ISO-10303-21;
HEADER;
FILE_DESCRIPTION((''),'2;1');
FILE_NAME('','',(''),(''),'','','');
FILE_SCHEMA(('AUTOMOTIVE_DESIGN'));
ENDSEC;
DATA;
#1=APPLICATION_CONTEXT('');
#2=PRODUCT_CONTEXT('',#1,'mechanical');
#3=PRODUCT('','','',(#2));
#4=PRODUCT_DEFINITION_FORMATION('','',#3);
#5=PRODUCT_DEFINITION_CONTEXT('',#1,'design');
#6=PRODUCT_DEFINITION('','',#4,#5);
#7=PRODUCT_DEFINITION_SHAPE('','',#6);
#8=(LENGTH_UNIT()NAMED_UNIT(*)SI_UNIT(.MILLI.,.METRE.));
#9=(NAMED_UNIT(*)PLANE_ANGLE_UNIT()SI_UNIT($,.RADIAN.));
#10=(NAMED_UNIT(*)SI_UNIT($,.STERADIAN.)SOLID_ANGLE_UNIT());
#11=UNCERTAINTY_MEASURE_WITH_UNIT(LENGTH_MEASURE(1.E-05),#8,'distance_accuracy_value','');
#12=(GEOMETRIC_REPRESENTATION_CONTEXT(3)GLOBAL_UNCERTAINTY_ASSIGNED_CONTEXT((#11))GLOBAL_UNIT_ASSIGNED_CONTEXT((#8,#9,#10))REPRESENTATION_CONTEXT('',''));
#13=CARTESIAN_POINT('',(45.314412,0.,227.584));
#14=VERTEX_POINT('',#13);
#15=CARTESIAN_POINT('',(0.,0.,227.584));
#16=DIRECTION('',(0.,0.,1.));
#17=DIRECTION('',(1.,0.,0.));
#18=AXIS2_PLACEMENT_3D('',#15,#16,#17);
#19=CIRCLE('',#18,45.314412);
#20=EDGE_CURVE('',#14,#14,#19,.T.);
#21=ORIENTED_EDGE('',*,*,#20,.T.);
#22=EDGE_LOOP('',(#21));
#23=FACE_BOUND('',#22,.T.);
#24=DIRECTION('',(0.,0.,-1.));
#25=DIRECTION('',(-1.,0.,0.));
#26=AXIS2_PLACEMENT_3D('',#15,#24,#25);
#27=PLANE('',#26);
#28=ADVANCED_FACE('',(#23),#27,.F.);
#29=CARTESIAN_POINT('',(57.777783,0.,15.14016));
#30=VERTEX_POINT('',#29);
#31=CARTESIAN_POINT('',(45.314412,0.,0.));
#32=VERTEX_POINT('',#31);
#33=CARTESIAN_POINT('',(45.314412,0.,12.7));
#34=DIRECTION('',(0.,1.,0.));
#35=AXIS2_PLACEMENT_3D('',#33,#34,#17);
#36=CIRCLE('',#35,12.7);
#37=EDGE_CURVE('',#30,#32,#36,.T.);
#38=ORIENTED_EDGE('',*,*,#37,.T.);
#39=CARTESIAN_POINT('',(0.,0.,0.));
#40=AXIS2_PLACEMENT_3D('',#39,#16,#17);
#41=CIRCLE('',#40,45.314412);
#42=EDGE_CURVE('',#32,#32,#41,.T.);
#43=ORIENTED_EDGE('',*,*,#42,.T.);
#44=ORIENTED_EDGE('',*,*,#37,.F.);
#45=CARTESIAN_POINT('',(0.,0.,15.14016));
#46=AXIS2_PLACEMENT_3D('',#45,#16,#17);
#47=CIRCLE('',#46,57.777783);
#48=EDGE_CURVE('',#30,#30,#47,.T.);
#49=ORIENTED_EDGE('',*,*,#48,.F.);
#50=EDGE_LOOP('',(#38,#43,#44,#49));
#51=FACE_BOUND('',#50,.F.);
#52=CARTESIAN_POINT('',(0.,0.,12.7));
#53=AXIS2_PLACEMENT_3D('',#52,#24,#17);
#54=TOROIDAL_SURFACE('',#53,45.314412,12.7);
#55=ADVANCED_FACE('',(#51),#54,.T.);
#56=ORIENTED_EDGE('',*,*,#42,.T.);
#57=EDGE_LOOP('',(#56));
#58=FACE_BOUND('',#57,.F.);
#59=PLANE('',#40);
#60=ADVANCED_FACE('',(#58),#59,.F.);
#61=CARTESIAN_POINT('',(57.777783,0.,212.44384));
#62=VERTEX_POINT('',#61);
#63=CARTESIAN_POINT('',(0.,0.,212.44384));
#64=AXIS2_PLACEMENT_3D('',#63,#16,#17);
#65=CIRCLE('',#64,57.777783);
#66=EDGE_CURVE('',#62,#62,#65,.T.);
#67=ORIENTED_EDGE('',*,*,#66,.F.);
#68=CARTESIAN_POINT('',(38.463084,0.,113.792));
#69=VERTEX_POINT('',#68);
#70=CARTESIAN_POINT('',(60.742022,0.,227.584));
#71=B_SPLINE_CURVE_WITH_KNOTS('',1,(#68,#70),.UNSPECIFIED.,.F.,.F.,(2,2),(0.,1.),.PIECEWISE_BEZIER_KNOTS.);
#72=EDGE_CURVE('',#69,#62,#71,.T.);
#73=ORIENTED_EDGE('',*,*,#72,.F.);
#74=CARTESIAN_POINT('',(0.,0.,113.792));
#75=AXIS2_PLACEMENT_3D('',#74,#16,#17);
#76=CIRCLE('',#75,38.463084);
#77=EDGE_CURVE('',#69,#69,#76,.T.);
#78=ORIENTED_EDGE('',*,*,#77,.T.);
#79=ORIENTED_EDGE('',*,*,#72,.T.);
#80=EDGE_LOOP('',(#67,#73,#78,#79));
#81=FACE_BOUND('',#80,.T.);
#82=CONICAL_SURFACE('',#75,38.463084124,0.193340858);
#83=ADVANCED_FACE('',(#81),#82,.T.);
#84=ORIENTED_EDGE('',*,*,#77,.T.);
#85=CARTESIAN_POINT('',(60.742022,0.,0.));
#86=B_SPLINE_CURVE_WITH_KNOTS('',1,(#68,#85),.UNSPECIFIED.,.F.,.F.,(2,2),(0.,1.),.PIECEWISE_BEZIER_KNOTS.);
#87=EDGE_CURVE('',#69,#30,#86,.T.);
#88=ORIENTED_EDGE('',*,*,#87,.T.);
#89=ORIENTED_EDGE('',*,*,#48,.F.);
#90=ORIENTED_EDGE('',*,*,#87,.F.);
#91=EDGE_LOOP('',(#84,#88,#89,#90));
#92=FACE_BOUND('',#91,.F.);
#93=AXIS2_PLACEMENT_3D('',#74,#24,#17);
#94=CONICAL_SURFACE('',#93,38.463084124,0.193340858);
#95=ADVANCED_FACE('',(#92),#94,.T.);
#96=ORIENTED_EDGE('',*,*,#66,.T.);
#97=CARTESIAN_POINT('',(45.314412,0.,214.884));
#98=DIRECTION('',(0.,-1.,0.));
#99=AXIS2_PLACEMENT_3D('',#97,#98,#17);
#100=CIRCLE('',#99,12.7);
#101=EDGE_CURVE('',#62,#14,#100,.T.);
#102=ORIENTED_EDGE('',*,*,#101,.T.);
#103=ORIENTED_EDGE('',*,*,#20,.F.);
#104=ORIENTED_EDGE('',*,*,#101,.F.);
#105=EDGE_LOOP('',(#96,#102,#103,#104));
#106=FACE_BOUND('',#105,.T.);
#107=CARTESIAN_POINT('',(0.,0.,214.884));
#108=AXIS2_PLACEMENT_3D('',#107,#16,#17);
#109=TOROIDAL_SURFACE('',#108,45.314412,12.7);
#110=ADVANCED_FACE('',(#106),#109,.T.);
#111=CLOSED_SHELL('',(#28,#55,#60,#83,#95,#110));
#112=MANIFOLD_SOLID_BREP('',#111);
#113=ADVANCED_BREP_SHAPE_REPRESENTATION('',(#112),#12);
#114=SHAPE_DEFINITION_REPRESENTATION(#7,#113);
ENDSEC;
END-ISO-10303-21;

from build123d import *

# Parameters (mm, degrees)
F1_R      = 38.4630841236
F2_DEPTH  = 113.792
F2_FACE_R = 38.4630841236
F0_R      = 60.7420219502
F6_R      = 12.7


with BuildPart() as f2:
    # F1 (on face) → F2 (new body)
    with BuildSketch(Plane.XY):
        Circle(F1_R)
    extrude(amount=F2_DEPTH)

    # F2_face (on face) → F3 section 0
    with BuildSketch(Plane.XY.offset(113.792)):
        Circle(F2_FACE_R)
    # F0 (on Top) → F3 section 1
    with BuildSketch(Plane.XY):
        Circle(F0_R)
    loft()

    # F5: F2 across face


with BuildPart() as f2_1:
    add(f2.part)
    add(f2.part.mirror(Plane.XY.offset(113.792)))

    # F6
    f6_edges = [f2_1.edges().sort_by_distance(p)[0] for p in [
        (-60.742022, 0, 227.584),
        (-60.742022, 0, 0),
    ]]
    fillet(f6_edges, radius=F6_R)


solid = f2_1.part
